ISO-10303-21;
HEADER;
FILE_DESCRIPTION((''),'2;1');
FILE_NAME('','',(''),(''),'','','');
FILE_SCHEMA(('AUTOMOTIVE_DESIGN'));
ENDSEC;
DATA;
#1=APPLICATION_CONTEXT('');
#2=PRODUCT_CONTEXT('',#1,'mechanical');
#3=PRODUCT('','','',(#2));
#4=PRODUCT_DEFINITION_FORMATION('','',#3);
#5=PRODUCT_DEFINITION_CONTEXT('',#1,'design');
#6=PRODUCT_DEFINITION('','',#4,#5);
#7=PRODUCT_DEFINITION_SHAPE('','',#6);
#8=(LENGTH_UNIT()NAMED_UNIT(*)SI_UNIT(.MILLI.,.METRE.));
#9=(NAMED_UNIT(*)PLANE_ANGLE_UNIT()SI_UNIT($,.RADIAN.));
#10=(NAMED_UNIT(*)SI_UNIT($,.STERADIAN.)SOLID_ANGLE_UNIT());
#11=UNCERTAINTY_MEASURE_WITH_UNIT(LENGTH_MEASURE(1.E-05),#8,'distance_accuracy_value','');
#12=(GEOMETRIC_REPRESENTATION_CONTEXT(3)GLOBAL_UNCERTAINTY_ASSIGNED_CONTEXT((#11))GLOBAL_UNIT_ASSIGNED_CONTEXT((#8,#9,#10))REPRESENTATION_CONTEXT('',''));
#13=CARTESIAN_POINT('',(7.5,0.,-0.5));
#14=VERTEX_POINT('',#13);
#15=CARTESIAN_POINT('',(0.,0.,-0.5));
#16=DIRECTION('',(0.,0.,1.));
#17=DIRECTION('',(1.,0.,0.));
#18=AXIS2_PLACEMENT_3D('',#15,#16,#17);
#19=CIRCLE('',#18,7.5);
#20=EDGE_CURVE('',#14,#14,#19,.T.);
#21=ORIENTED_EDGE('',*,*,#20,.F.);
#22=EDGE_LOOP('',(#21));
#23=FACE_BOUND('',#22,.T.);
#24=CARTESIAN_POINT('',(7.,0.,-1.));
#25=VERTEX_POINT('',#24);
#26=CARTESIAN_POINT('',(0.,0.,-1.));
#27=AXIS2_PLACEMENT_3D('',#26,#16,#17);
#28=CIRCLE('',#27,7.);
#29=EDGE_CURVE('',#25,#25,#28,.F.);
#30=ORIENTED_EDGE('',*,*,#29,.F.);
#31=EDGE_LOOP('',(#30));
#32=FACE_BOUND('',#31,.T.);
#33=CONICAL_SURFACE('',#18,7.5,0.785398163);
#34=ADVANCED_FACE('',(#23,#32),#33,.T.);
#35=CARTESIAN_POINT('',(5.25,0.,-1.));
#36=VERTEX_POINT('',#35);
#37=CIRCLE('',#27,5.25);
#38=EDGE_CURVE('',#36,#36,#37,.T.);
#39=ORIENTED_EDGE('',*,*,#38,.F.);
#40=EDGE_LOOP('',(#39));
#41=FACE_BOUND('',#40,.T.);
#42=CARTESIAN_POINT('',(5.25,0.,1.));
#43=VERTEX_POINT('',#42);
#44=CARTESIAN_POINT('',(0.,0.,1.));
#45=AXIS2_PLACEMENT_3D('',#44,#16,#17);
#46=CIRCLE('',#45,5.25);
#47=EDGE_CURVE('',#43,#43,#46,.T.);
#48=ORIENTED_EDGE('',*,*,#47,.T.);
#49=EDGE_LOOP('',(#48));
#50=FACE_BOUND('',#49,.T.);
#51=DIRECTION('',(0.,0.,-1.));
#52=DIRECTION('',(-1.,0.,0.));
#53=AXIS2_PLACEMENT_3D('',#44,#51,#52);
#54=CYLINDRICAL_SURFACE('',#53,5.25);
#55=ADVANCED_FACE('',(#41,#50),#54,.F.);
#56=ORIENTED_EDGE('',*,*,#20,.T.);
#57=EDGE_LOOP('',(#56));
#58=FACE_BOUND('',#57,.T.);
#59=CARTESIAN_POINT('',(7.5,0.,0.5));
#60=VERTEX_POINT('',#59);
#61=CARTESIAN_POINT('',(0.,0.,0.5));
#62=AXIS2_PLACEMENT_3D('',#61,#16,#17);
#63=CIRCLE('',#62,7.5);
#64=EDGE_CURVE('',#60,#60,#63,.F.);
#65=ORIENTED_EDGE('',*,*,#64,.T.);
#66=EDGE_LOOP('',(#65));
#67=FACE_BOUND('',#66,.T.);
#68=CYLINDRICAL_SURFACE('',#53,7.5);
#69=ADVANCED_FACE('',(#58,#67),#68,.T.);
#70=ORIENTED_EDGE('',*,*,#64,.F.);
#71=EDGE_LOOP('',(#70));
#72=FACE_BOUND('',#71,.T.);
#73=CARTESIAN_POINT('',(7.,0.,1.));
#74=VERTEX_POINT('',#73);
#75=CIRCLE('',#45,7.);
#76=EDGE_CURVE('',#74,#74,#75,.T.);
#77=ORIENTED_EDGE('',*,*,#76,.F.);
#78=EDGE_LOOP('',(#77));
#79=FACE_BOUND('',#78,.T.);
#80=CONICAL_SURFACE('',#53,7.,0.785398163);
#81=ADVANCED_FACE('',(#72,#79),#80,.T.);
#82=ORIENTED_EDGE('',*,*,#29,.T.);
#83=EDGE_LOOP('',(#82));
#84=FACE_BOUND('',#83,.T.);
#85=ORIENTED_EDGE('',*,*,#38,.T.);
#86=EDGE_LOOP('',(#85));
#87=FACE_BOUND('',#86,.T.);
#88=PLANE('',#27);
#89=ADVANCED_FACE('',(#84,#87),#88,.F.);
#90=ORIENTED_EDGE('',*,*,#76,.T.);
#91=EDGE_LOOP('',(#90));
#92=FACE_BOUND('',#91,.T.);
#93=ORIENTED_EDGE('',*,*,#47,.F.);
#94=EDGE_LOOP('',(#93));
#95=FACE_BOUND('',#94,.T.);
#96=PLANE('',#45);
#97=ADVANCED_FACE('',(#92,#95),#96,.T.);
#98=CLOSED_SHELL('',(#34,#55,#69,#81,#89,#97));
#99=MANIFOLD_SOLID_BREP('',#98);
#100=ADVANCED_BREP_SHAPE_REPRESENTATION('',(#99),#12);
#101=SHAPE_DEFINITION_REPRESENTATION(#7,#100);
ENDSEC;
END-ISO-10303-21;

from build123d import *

# Parameters (mm, degrees)
SKETCH1_R           = 7.5
SKETCH1_R_2         = 5.25
BOSS_EXTRUDE1_DEPTH = 1
CHAMFER1_SIZE       = 0.5


with BuildPart() as part:
    # Sketch1 → Boss-Extrude1 (new, symmetric)
    with BuildSketch(Plane.XY):
        Circle(SKETCH1_R)
        Circle(SKETCH1_R_2, mode=Mode.SUBTRACT)
    extrude(amount=BOSS_EXTRUDE1_DEPTH, both=True)

    # Chamfer1
    chamfer1_edges = [part.edges().sort_by_distance(p)[0] for p in [
        (-7.5, 0, -1),
        (-7.5, 0, 1),
    ]]
    chamfer(chamfer1_edges, length=CHAMFER1_SIZE)


solid = part.part
